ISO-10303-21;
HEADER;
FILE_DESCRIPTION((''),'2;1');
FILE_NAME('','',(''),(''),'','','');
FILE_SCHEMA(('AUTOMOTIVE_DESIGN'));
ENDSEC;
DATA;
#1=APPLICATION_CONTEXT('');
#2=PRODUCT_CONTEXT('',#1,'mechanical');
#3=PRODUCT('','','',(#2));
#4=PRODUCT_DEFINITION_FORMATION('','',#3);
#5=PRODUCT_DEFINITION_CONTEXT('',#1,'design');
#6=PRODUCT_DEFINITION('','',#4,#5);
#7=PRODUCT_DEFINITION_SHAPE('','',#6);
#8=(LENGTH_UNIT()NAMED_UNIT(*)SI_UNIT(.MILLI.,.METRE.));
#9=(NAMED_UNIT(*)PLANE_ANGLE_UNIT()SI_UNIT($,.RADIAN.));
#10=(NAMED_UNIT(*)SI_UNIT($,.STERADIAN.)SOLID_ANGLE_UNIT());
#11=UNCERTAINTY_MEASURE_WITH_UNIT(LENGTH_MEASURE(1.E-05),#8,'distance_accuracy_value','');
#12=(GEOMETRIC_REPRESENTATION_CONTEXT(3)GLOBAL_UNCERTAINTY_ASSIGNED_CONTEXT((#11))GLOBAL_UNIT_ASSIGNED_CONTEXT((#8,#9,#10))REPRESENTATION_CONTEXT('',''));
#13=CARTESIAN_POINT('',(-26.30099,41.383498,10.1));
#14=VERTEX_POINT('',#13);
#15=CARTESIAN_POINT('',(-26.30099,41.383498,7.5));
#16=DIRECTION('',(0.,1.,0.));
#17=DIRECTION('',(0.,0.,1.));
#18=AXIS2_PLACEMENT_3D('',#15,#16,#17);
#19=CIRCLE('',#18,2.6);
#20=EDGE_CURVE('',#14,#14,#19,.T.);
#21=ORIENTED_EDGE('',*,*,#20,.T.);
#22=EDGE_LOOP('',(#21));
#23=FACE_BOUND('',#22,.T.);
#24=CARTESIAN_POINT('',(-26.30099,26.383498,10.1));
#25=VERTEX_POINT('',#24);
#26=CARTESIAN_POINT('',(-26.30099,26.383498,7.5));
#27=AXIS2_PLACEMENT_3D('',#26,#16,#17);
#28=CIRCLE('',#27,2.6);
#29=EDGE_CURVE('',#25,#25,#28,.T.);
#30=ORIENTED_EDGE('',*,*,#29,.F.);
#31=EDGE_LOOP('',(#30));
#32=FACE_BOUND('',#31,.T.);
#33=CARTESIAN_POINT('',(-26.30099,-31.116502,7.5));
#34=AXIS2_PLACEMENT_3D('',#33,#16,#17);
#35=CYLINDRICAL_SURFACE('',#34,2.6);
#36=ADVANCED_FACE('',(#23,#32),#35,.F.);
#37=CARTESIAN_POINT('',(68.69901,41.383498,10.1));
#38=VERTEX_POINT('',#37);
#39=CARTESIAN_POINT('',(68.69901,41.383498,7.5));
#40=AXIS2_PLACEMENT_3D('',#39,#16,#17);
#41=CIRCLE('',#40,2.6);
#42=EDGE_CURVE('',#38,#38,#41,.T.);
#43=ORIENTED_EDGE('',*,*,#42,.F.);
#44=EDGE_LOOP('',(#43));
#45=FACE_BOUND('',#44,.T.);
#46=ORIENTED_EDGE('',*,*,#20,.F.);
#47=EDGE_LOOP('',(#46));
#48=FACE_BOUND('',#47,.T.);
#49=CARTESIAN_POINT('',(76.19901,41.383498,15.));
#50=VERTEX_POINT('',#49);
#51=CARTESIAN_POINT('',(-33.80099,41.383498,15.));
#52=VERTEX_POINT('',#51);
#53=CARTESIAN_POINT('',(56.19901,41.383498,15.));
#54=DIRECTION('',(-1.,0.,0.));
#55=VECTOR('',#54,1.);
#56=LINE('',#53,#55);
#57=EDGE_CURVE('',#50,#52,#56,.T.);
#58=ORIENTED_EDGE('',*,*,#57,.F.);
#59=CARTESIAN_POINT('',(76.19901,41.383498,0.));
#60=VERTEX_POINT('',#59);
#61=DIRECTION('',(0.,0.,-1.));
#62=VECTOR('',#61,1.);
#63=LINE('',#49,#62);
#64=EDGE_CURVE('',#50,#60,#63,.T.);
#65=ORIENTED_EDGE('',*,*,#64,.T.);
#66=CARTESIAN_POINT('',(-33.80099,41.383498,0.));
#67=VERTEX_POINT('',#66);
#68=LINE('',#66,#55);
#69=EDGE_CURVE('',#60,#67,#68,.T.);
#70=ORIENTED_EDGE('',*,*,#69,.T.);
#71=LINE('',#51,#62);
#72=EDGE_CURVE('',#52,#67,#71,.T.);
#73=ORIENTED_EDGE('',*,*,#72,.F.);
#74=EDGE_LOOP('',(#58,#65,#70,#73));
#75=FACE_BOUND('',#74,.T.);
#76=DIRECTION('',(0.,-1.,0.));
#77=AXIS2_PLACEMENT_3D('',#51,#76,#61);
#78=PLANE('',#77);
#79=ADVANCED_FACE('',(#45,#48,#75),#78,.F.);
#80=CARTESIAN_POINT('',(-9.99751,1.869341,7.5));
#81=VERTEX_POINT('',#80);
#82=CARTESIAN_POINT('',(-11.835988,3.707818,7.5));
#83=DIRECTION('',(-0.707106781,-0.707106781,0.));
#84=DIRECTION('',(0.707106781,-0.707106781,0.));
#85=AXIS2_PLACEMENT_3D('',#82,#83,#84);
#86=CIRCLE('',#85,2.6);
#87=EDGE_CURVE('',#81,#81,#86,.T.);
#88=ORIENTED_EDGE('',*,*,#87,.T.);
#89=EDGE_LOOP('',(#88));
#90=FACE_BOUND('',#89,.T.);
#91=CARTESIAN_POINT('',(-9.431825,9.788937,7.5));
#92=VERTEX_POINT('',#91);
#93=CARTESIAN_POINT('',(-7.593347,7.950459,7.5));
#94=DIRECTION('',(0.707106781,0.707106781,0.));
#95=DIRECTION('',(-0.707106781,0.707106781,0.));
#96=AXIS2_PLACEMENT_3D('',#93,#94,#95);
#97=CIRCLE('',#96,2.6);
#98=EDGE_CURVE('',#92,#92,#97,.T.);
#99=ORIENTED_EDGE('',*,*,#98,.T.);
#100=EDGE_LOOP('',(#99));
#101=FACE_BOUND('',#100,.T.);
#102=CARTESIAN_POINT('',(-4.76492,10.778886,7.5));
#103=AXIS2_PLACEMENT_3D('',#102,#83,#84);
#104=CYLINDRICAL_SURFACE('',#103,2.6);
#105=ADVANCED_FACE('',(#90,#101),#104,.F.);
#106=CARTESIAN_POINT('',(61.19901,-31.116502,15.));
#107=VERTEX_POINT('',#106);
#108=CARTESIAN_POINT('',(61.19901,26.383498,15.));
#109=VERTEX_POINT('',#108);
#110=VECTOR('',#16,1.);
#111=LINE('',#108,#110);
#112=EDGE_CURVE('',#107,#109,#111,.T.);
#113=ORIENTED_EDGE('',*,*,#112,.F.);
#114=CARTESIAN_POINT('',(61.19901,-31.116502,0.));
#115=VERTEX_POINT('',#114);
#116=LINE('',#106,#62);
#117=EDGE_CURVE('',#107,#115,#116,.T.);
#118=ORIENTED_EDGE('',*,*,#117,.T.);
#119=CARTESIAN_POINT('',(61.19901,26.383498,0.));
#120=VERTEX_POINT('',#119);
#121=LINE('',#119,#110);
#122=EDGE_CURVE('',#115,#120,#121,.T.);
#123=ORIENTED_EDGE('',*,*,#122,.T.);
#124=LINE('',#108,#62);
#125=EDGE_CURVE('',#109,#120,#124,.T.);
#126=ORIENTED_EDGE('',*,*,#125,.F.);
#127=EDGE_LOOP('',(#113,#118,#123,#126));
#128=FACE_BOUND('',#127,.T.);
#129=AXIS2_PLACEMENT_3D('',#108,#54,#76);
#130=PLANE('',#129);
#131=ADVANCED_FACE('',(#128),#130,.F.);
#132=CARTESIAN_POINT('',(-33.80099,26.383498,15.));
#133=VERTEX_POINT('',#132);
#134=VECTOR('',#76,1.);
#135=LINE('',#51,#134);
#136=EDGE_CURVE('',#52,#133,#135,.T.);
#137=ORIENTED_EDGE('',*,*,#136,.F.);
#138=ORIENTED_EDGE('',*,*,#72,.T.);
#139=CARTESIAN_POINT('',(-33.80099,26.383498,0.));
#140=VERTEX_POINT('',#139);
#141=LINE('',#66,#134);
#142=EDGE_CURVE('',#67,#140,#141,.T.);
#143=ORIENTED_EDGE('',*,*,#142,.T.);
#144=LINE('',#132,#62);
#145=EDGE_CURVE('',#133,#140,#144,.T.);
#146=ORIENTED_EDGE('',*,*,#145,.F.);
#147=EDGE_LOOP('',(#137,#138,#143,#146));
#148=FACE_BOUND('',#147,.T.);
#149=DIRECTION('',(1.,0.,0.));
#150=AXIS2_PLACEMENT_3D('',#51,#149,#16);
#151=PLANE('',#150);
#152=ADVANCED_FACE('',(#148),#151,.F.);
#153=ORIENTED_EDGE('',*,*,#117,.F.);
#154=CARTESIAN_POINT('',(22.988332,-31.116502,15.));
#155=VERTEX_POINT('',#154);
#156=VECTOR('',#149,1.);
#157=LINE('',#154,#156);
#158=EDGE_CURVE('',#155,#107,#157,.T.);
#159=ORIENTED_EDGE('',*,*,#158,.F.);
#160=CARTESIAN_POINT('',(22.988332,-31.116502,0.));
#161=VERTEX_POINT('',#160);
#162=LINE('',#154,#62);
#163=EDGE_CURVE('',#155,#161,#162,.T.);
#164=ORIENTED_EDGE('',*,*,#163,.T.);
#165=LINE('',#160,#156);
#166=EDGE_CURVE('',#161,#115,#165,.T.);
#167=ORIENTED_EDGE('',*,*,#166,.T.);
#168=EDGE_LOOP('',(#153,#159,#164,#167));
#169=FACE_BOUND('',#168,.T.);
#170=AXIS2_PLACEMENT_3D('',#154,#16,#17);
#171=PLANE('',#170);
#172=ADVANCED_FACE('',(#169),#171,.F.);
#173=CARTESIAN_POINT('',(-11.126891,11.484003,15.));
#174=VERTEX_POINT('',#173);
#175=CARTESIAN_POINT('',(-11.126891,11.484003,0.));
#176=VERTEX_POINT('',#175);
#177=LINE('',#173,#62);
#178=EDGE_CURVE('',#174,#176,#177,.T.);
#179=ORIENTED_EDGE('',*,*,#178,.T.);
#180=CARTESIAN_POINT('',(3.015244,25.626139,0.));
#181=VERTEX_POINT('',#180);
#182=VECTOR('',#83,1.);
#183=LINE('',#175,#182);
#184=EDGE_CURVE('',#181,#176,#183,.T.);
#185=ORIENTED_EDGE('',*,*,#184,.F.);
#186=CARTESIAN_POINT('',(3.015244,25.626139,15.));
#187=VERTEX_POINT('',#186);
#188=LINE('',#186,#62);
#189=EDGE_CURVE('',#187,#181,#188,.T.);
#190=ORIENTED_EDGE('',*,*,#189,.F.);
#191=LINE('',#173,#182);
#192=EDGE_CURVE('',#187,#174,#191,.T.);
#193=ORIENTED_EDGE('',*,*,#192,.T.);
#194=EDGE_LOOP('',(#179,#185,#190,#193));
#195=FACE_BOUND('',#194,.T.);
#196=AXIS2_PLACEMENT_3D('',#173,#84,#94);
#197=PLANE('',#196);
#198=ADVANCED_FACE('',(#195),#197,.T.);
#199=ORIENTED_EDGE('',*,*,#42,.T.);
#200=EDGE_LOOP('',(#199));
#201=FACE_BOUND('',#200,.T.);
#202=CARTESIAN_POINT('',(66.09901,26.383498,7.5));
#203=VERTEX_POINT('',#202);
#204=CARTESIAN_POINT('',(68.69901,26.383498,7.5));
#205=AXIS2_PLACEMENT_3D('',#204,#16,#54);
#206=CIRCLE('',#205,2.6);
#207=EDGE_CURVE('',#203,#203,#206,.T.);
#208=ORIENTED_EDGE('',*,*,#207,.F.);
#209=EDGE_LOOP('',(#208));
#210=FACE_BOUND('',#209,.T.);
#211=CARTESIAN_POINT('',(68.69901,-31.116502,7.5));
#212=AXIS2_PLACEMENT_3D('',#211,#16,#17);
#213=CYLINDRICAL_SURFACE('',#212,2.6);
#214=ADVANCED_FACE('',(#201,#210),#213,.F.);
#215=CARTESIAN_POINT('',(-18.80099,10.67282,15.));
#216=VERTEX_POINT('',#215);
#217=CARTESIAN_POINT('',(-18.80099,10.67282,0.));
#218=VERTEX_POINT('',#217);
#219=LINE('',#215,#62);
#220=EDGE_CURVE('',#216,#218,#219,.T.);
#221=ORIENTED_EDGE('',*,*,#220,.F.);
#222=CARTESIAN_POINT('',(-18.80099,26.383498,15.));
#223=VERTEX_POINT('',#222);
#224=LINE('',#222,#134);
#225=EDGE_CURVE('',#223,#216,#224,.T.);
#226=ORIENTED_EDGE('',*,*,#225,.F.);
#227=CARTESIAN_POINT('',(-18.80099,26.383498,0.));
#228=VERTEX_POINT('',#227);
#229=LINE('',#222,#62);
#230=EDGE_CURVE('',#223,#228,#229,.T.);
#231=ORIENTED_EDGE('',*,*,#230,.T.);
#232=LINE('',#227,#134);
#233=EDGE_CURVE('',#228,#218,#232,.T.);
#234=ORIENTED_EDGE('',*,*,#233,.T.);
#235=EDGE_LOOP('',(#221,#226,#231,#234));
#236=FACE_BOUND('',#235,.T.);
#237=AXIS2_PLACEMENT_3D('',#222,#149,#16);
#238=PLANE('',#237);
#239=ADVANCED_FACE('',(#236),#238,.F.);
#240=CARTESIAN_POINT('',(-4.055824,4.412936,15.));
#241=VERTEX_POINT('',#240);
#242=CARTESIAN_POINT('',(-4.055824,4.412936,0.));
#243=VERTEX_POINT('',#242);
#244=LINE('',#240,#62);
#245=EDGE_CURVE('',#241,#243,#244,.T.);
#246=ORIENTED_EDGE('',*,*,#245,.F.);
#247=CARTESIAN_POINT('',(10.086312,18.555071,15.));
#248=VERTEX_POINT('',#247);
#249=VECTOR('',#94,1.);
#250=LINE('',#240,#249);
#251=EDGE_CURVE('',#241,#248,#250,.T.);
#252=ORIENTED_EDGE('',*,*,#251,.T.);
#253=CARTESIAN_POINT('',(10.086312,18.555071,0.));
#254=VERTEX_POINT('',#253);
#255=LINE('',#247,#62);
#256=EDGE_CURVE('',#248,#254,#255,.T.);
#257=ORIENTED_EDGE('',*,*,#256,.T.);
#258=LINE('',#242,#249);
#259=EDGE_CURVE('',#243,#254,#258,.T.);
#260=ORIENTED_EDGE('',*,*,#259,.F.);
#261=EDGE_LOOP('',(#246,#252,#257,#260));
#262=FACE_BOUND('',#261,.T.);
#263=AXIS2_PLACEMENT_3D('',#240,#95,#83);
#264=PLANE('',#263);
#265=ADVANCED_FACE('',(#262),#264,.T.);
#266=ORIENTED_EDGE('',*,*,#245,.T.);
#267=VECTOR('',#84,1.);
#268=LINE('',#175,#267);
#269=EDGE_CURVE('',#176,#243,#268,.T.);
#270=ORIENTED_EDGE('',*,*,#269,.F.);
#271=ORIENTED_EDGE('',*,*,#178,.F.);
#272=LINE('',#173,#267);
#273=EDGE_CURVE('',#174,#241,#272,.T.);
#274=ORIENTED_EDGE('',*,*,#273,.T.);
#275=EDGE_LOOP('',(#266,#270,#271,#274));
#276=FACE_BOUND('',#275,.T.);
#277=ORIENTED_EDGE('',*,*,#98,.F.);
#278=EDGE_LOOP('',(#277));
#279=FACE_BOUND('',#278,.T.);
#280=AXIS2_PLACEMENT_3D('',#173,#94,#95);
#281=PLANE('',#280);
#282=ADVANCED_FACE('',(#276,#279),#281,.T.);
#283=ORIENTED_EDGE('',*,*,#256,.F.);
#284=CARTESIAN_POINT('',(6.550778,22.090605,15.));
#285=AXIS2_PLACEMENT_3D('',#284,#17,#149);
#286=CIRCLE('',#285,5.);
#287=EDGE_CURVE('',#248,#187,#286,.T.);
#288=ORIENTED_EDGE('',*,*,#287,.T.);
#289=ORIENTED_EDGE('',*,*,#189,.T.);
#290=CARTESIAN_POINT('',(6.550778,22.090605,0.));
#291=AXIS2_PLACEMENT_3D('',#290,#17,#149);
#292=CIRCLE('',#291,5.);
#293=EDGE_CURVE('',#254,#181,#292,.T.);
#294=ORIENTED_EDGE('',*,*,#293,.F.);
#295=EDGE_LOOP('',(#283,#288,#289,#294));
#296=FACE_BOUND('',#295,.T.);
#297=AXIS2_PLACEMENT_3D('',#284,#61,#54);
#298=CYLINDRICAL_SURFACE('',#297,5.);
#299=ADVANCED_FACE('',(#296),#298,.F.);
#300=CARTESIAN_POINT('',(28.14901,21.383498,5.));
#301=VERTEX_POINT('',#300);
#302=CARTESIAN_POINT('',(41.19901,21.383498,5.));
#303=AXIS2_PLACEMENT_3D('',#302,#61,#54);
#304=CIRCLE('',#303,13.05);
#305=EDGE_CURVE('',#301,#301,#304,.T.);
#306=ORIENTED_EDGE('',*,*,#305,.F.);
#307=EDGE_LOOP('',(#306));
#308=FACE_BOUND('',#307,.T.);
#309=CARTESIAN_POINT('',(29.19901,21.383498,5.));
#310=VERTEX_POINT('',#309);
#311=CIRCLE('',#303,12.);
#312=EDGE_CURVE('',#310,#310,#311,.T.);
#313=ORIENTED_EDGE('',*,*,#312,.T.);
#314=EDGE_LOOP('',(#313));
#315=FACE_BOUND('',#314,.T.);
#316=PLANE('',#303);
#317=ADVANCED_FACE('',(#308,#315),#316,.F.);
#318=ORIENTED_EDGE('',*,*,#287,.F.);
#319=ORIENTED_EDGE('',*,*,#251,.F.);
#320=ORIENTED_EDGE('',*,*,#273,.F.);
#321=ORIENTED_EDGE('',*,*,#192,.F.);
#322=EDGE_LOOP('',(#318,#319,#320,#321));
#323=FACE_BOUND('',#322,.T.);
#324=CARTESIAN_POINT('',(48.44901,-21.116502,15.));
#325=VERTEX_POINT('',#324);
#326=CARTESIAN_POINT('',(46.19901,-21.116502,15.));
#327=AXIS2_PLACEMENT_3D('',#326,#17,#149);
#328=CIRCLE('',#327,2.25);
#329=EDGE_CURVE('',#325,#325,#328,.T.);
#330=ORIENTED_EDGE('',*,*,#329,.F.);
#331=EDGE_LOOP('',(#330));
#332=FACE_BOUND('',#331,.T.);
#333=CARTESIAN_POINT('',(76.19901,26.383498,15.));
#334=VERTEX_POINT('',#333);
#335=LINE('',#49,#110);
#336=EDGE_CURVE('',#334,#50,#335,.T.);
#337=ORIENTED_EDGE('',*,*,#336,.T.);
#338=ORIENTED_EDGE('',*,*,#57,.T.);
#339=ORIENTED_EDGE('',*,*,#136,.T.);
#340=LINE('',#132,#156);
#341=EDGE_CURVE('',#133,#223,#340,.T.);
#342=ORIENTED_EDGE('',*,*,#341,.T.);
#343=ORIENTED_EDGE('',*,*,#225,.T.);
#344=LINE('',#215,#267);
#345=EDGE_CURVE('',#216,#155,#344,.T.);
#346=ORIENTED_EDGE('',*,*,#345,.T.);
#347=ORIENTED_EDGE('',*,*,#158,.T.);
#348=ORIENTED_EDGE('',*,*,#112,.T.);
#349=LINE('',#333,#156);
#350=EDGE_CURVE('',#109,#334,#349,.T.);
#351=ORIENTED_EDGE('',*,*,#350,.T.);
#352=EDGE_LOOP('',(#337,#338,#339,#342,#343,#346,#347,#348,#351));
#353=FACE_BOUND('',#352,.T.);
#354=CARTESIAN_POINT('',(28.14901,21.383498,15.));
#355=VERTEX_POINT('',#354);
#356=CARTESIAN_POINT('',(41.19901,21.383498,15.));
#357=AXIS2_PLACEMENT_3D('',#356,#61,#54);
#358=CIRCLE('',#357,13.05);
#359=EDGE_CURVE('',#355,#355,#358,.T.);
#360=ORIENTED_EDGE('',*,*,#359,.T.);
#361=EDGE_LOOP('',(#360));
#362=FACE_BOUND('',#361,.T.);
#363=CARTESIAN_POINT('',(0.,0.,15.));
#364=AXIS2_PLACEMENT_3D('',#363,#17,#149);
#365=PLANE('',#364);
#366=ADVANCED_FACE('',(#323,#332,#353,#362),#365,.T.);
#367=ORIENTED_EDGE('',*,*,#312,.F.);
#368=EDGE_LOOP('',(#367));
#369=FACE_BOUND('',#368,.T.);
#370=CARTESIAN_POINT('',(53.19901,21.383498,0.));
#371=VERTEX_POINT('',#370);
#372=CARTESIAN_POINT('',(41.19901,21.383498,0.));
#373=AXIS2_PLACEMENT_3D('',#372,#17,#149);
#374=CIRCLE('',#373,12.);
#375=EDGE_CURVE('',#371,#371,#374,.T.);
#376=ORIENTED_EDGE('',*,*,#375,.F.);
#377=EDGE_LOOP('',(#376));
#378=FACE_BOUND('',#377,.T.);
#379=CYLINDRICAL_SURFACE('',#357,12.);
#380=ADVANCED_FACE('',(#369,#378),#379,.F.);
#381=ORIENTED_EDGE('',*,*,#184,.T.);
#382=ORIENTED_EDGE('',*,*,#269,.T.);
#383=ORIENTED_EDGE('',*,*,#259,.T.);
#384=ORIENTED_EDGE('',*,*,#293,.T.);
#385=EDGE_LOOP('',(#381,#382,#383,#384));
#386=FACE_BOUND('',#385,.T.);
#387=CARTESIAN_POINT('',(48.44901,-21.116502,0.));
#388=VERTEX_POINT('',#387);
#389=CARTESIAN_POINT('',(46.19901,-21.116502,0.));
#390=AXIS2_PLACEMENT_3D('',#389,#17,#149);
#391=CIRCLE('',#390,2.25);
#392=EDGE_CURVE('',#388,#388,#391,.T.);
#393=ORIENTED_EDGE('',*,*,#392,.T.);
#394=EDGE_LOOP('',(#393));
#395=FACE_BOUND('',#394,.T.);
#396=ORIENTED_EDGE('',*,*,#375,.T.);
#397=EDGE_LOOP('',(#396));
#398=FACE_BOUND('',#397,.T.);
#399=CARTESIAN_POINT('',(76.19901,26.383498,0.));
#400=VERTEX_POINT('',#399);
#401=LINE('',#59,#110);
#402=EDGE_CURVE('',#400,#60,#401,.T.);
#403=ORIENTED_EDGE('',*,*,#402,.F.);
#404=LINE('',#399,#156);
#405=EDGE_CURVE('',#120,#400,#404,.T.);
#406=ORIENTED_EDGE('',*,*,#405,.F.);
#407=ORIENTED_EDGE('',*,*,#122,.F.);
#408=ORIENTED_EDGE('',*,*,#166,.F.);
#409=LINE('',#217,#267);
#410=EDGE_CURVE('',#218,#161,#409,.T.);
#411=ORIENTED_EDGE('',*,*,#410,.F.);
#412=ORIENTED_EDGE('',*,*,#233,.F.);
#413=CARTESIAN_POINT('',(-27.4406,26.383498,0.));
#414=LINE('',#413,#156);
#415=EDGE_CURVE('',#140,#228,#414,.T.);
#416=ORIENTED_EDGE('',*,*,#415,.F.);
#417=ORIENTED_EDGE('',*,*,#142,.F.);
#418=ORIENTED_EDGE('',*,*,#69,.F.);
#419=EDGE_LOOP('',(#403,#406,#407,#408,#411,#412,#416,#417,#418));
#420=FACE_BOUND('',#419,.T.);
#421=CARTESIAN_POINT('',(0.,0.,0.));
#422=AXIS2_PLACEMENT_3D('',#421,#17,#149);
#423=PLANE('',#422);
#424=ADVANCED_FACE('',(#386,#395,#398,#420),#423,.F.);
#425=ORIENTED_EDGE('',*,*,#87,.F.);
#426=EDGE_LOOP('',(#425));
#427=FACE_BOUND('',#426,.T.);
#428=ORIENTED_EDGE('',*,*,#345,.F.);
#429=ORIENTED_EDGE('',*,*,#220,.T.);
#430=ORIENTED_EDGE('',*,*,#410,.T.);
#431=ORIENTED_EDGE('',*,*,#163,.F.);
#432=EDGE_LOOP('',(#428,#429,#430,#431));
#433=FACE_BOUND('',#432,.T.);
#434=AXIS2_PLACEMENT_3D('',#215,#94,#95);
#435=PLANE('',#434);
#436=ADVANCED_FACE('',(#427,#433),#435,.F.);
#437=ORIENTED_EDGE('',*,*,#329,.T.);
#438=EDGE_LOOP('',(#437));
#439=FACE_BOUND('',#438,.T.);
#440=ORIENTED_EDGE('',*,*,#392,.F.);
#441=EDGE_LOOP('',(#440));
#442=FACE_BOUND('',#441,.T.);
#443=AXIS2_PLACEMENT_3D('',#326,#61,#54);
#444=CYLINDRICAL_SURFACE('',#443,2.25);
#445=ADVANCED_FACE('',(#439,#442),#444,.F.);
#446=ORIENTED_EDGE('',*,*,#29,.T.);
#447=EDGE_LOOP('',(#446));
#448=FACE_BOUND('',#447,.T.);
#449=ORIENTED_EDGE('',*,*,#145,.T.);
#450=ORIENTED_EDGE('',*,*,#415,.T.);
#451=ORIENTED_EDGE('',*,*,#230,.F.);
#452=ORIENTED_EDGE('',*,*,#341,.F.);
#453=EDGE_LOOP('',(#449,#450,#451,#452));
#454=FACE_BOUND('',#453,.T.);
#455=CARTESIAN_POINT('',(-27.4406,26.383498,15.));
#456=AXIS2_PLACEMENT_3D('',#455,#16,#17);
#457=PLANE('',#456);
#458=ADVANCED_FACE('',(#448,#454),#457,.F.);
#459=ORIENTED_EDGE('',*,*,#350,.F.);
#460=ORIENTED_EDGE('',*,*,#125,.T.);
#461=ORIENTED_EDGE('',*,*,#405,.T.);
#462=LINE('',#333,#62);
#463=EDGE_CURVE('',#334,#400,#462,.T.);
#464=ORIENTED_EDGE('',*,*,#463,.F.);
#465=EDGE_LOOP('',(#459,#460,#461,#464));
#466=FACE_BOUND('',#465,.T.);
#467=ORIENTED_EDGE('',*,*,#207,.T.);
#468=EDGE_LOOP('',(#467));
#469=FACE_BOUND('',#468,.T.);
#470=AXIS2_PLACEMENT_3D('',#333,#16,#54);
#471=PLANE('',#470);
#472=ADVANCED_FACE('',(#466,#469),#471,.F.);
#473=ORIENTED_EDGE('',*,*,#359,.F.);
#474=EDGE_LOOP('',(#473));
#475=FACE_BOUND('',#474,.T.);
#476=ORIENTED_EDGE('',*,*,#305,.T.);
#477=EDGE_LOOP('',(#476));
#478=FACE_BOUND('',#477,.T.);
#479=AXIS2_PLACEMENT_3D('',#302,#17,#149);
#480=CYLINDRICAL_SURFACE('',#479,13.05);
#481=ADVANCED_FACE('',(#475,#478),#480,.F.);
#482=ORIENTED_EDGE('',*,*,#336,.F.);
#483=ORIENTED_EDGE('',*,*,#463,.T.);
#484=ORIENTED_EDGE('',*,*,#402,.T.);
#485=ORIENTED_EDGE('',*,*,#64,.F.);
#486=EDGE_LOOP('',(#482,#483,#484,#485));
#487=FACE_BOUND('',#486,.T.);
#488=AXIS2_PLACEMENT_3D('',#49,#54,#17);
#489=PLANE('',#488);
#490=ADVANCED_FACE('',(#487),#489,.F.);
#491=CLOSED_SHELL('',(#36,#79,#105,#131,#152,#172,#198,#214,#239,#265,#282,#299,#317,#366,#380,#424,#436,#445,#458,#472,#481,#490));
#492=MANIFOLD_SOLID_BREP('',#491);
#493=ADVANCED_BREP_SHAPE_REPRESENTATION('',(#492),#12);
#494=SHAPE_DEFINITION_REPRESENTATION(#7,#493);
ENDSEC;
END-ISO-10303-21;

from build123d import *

# Parameters (mm, degrees)
SKETCH_1_R          = 12
SKETCH_1_R_2        = 2.25
EXTRUDE_1_DEPTH     = 15
SKETCH_2_R          = 13.05
CUT_EXTRUDE_1_DEPTH = 10
SKETCH_3_R          = 2.6
CUT_EXTRUDE_2_DEPTH = 73.5
SKETCH_5_R          = 2.6
CUT_EXTRUDE_3_DEPTH = 10


with BuildPart() as part:
    # 草图1 → 凸台-拉伸1 (new body)
    with BuildSketch(Plane.XY):
        Polygon((-33.800989673, 26.383498279), (-27.44059998, 26.383498279), (-18.800989673, 26.383498279), (-18.800989673, 10.67282016), (22.988332208, -31.116501721), (61.199010327, -31.116501721), (61.199010327, 26.383498279), (76.199010327, 26.383498279), (76.199010327, 41.383498279), (56.199010327, 41.383498279), (-33.800989673, 41.383498279), align=None)
        with Locations((41.199010327, 21.383498279)):
            Circle(SKETCH_1_R, mode=Mode.SUBTRACT)
        with Locations((46.199010327, -21.116501721)):
            Circle(SKETCH_1_R_2, mode=Mode.SUBTRACT)
        with BuildLine():
            Line((-11.126891481, 11.484003342), (3.015244143, 25.626138966))
            ThreePointArc((3.015244143, 25.626138966), (10.086311955, 25.626138966), (10.086311955, 18.555071154))
            Line((10.086311955, 18.555071154), (-4.055823669, 4.41293553))
            Line((-4.055823669, 4.41293553), (-11.126891481, 11.484003342))
        make_face(mode=Mode.SUBTRACT)
    extrude(amount=EXTRUDE_1_DEPTH)

    # 草图2 → 切除-拉伸1 (cut)
    with BuildSketch(Plane(origin=(0, 0, 15), x_dir=(-1, 0, 0), z_dir=(0, 0, -1))):
        with Locations((-41.199010327, 21.383498279)):
            Circle(SKETCH_2_R)
    extrude(amount=CUT_EXTRUDE_1_DEPTH, mode=Mode.SUBTRACT)

    # 草图3 → 切除-拉伸2 (cut, through all)
    with BuildSketch(Plane(origin=(0, 41.383498279, 0), x_dir=(1, 0, 0), z_dir=(0, 1, 0))):
        with Locations((-26.300989673, -7.5)):
            Circle(SKETCH_3_R)
        with Locations((68.699010327, -7.5)):
            Circle(SKETCH_3_R)
    extrude(amount=-CUT_EXTRUDE_2_DEPTH, mode=Mode.SUBTRACT)

    # 草图5 → 切除-拉伸3 (cut)
    with BuildSketch(Plane(origin=(-4.064084756, -4.064084756, 0), x_dir=(0, 0, 1), z_dir=(-0.707106781, -0.707106781, 0))):
        with Locations((7.5, 10.9911308)):
            Circle(SKETCH_5_R)
    extrude(amount=-CUT_EXTRUDE_3_DEPTH, mode=Mode.SUBTRACT)


solid = part.part
